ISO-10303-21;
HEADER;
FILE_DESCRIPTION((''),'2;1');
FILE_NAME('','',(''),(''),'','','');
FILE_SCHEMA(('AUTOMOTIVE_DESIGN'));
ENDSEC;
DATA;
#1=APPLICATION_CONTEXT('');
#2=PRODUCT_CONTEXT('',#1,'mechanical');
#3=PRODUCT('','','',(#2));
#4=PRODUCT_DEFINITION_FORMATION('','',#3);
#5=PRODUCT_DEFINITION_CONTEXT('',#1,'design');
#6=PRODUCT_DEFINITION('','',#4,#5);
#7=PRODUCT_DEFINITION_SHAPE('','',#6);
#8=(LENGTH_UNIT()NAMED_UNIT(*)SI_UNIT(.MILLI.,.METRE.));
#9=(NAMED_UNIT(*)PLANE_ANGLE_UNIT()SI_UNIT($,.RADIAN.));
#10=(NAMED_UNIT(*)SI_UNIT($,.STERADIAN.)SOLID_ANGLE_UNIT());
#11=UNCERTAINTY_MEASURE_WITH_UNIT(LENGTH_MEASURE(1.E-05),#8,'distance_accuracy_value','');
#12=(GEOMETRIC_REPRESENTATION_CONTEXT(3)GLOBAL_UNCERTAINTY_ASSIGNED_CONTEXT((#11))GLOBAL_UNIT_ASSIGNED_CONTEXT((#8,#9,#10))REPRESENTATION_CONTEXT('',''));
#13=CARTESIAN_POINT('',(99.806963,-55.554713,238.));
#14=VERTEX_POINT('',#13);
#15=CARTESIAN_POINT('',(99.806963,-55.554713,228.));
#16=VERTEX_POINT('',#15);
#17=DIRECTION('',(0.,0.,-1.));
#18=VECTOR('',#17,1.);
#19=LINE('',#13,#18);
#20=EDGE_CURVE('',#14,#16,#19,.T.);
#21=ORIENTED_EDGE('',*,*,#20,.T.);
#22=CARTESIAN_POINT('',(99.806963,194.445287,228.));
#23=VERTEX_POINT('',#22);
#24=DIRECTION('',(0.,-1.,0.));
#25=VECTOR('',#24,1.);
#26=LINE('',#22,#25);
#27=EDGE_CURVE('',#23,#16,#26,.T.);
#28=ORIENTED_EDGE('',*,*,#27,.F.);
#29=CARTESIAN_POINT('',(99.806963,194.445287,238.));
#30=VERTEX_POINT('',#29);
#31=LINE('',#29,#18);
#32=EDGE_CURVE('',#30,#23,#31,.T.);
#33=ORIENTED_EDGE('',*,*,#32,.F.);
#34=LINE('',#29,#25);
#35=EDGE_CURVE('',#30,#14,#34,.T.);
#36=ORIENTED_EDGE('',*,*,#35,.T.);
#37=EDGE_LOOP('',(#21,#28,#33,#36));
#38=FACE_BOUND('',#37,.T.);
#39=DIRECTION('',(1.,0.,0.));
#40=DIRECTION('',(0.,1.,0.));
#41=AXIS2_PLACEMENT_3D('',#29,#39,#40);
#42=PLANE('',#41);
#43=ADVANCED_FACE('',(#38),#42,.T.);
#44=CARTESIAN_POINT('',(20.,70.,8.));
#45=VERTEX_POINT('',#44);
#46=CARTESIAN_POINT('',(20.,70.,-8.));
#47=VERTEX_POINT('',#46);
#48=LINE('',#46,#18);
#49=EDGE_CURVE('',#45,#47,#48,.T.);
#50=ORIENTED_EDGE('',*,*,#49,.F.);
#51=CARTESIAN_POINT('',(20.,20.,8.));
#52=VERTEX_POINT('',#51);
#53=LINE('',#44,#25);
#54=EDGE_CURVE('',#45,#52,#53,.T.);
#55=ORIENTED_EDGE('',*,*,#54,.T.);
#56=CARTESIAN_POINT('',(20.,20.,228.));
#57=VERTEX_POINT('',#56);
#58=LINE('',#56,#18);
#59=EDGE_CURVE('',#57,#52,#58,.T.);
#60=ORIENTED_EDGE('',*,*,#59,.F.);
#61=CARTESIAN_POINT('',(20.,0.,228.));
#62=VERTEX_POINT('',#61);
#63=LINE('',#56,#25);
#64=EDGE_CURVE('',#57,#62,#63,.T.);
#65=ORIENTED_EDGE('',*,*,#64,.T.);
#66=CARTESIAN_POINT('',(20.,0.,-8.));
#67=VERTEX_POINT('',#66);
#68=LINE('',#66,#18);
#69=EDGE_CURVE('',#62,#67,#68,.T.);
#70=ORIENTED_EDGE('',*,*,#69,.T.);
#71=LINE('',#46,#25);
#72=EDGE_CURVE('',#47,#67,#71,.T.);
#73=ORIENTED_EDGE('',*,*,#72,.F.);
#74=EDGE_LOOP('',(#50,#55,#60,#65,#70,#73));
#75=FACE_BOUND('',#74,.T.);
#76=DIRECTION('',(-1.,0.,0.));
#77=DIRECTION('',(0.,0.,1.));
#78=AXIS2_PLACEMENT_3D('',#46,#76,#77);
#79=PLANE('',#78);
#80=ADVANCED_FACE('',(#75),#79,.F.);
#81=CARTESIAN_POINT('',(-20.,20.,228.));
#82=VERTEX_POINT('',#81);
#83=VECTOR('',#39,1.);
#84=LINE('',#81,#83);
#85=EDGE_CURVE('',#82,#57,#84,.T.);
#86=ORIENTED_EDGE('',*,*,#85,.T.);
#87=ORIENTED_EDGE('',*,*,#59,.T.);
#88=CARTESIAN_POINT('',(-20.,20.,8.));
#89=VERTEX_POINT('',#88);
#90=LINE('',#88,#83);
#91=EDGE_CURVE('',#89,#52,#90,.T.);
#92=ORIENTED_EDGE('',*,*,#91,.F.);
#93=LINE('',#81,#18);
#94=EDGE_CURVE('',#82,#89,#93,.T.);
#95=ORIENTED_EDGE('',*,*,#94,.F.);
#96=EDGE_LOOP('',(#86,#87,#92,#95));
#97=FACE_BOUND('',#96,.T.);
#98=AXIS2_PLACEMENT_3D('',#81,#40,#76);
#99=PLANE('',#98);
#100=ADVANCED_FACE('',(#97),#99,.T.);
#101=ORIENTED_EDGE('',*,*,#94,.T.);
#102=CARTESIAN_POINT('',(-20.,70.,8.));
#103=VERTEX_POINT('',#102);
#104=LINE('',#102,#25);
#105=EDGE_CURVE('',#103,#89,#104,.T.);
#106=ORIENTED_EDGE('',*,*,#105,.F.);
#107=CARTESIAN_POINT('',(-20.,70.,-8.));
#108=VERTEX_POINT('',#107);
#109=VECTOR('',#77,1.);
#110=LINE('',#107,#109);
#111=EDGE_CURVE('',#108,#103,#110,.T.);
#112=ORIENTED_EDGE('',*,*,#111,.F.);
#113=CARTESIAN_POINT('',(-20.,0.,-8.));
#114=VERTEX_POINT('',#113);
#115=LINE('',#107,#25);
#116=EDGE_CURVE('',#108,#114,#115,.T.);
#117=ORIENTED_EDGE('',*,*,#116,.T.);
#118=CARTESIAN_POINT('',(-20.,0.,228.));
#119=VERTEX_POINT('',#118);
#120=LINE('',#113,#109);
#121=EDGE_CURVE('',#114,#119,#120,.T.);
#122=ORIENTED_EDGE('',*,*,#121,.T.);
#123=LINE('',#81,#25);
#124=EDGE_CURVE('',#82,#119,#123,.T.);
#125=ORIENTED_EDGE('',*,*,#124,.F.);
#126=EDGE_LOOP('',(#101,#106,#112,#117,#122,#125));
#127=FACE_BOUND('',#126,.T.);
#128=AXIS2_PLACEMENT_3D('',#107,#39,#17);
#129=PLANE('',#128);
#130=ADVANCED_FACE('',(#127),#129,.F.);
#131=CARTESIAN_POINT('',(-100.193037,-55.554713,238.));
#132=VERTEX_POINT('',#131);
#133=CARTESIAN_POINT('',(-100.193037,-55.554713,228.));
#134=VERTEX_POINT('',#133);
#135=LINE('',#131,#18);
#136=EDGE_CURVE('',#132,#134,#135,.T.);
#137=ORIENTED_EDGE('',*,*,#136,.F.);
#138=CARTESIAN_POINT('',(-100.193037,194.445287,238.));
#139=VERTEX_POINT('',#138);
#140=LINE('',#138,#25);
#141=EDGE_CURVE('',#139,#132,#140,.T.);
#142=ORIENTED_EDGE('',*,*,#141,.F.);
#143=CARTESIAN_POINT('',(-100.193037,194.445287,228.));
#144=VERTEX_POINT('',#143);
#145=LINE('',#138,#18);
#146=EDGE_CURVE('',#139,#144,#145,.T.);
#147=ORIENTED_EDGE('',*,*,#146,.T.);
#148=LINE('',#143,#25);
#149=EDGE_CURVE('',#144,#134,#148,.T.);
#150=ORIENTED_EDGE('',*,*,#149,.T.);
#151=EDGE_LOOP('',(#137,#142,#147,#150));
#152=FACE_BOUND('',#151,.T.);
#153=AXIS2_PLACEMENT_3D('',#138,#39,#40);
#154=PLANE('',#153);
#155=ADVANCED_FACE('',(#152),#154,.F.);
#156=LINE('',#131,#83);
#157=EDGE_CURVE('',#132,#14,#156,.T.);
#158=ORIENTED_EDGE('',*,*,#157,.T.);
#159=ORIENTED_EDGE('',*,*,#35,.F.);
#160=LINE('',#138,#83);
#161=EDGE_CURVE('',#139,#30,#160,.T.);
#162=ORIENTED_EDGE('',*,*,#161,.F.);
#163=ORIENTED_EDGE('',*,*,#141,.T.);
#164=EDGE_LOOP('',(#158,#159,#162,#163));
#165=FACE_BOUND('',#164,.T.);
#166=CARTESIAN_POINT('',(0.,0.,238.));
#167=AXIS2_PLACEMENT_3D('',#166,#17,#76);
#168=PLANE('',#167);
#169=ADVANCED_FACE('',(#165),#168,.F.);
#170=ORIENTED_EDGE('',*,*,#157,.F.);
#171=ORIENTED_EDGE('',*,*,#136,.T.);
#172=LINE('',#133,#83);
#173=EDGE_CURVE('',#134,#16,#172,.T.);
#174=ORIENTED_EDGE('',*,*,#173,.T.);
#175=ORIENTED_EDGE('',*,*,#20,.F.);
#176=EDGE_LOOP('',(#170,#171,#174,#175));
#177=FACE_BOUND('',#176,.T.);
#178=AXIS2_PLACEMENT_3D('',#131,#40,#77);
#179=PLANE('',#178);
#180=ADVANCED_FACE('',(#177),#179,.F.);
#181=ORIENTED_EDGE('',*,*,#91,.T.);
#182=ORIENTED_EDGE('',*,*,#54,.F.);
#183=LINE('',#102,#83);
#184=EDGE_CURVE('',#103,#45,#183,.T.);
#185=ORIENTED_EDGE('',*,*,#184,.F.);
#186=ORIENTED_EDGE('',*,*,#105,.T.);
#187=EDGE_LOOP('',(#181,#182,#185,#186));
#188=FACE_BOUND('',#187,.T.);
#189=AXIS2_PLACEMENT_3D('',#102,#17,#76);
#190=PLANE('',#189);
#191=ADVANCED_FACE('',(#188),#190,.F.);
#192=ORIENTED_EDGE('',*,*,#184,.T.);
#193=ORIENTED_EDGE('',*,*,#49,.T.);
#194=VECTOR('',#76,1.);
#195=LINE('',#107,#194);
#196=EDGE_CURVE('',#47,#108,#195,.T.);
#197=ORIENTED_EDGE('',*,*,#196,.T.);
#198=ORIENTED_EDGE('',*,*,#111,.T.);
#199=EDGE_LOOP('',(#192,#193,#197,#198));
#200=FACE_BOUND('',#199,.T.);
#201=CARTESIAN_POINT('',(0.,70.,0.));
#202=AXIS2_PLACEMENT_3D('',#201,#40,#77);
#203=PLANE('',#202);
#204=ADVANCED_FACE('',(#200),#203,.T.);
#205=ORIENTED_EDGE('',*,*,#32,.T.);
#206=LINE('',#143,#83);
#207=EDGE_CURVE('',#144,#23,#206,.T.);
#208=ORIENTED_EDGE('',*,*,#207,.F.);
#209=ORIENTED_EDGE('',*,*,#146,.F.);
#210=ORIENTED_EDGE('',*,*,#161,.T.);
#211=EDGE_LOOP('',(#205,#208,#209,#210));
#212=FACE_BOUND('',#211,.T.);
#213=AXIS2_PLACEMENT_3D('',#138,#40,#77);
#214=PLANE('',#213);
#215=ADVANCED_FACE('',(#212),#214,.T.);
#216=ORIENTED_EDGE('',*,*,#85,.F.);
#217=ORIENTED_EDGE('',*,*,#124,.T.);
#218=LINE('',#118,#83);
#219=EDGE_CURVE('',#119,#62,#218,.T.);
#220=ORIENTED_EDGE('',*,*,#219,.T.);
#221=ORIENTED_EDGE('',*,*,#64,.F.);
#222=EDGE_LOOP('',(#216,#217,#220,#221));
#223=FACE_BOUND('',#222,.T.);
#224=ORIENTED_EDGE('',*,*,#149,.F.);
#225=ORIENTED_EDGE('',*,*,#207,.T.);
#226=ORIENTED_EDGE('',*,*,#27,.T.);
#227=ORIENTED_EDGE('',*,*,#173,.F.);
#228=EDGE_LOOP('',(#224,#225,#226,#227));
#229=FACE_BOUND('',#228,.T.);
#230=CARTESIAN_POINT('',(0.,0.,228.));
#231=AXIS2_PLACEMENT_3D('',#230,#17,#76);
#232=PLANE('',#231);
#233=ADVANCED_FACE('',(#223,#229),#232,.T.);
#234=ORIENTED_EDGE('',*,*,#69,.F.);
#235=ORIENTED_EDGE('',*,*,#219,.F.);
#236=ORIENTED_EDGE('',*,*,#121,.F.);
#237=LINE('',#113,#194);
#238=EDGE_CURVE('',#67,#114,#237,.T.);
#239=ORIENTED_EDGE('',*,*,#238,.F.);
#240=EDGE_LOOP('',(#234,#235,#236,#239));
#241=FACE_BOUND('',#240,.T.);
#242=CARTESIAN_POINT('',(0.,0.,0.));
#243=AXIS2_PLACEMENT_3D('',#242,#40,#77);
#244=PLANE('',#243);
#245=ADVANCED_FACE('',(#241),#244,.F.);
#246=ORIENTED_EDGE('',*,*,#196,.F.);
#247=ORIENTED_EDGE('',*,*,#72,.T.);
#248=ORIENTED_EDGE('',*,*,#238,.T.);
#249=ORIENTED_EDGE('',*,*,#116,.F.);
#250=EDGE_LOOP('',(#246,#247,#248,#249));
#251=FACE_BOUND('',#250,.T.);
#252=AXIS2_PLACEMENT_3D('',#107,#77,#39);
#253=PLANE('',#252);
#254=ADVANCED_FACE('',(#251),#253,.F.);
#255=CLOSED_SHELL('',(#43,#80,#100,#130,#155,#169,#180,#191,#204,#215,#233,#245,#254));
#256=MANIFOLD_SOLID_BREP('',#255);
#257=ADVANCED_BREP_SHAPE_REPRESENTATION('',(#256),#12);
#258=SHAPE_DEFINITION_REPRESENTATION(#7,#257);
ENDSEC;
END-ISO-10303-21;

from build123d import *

# Parameters (mm, degrees)
SKETCH_1_W      = 40
SKETCH_1_H      = 16
EXTRUDE_1_DEPTH = 70
SKETCH_2_W      = 40
SKETCH_2_H      = 20
EXTRUDE_2_DEPTH = 220
SKETCH_4_W      = 200
SKETCH_4_H      = 250
EXTRUDE_4_DEPTH = 10


with BuildPart() as part:
    # 草图1 → 凸台-拉伸1 (new body)
    with BuildSketch(Plane(origin=(0, 0, 0), x_dir=(1, 0, 0), z_dir=(0, 1, 0))):
        Rectangle(SKETCH_1_W, SKETCH_1_H)
    extrude(amount=EXTRUDE_1_DEPTH)

    # 草图2 → 凸台-拉伸2 (add)
    with BuildSketch(Plane.XY.offset(8)):
        with Locations((0, 10)):
            Rectangle(SKETCH_2_W, SKETCH_2_H)
    extrude(amount=EXTRUDE_2_DEPTH)

    # 草图4 → 凸台-拉伸4 (add)
    with BuildSketch(Plane.XY.offset(228)):
        with Locations((-0.193037092, 69.445287213)):
            Rectangle(SKETCH_4_W, SKETCH_4_H)
    extrude(amount=EXTRUDE_4_DEPTH)


solid = part.part
